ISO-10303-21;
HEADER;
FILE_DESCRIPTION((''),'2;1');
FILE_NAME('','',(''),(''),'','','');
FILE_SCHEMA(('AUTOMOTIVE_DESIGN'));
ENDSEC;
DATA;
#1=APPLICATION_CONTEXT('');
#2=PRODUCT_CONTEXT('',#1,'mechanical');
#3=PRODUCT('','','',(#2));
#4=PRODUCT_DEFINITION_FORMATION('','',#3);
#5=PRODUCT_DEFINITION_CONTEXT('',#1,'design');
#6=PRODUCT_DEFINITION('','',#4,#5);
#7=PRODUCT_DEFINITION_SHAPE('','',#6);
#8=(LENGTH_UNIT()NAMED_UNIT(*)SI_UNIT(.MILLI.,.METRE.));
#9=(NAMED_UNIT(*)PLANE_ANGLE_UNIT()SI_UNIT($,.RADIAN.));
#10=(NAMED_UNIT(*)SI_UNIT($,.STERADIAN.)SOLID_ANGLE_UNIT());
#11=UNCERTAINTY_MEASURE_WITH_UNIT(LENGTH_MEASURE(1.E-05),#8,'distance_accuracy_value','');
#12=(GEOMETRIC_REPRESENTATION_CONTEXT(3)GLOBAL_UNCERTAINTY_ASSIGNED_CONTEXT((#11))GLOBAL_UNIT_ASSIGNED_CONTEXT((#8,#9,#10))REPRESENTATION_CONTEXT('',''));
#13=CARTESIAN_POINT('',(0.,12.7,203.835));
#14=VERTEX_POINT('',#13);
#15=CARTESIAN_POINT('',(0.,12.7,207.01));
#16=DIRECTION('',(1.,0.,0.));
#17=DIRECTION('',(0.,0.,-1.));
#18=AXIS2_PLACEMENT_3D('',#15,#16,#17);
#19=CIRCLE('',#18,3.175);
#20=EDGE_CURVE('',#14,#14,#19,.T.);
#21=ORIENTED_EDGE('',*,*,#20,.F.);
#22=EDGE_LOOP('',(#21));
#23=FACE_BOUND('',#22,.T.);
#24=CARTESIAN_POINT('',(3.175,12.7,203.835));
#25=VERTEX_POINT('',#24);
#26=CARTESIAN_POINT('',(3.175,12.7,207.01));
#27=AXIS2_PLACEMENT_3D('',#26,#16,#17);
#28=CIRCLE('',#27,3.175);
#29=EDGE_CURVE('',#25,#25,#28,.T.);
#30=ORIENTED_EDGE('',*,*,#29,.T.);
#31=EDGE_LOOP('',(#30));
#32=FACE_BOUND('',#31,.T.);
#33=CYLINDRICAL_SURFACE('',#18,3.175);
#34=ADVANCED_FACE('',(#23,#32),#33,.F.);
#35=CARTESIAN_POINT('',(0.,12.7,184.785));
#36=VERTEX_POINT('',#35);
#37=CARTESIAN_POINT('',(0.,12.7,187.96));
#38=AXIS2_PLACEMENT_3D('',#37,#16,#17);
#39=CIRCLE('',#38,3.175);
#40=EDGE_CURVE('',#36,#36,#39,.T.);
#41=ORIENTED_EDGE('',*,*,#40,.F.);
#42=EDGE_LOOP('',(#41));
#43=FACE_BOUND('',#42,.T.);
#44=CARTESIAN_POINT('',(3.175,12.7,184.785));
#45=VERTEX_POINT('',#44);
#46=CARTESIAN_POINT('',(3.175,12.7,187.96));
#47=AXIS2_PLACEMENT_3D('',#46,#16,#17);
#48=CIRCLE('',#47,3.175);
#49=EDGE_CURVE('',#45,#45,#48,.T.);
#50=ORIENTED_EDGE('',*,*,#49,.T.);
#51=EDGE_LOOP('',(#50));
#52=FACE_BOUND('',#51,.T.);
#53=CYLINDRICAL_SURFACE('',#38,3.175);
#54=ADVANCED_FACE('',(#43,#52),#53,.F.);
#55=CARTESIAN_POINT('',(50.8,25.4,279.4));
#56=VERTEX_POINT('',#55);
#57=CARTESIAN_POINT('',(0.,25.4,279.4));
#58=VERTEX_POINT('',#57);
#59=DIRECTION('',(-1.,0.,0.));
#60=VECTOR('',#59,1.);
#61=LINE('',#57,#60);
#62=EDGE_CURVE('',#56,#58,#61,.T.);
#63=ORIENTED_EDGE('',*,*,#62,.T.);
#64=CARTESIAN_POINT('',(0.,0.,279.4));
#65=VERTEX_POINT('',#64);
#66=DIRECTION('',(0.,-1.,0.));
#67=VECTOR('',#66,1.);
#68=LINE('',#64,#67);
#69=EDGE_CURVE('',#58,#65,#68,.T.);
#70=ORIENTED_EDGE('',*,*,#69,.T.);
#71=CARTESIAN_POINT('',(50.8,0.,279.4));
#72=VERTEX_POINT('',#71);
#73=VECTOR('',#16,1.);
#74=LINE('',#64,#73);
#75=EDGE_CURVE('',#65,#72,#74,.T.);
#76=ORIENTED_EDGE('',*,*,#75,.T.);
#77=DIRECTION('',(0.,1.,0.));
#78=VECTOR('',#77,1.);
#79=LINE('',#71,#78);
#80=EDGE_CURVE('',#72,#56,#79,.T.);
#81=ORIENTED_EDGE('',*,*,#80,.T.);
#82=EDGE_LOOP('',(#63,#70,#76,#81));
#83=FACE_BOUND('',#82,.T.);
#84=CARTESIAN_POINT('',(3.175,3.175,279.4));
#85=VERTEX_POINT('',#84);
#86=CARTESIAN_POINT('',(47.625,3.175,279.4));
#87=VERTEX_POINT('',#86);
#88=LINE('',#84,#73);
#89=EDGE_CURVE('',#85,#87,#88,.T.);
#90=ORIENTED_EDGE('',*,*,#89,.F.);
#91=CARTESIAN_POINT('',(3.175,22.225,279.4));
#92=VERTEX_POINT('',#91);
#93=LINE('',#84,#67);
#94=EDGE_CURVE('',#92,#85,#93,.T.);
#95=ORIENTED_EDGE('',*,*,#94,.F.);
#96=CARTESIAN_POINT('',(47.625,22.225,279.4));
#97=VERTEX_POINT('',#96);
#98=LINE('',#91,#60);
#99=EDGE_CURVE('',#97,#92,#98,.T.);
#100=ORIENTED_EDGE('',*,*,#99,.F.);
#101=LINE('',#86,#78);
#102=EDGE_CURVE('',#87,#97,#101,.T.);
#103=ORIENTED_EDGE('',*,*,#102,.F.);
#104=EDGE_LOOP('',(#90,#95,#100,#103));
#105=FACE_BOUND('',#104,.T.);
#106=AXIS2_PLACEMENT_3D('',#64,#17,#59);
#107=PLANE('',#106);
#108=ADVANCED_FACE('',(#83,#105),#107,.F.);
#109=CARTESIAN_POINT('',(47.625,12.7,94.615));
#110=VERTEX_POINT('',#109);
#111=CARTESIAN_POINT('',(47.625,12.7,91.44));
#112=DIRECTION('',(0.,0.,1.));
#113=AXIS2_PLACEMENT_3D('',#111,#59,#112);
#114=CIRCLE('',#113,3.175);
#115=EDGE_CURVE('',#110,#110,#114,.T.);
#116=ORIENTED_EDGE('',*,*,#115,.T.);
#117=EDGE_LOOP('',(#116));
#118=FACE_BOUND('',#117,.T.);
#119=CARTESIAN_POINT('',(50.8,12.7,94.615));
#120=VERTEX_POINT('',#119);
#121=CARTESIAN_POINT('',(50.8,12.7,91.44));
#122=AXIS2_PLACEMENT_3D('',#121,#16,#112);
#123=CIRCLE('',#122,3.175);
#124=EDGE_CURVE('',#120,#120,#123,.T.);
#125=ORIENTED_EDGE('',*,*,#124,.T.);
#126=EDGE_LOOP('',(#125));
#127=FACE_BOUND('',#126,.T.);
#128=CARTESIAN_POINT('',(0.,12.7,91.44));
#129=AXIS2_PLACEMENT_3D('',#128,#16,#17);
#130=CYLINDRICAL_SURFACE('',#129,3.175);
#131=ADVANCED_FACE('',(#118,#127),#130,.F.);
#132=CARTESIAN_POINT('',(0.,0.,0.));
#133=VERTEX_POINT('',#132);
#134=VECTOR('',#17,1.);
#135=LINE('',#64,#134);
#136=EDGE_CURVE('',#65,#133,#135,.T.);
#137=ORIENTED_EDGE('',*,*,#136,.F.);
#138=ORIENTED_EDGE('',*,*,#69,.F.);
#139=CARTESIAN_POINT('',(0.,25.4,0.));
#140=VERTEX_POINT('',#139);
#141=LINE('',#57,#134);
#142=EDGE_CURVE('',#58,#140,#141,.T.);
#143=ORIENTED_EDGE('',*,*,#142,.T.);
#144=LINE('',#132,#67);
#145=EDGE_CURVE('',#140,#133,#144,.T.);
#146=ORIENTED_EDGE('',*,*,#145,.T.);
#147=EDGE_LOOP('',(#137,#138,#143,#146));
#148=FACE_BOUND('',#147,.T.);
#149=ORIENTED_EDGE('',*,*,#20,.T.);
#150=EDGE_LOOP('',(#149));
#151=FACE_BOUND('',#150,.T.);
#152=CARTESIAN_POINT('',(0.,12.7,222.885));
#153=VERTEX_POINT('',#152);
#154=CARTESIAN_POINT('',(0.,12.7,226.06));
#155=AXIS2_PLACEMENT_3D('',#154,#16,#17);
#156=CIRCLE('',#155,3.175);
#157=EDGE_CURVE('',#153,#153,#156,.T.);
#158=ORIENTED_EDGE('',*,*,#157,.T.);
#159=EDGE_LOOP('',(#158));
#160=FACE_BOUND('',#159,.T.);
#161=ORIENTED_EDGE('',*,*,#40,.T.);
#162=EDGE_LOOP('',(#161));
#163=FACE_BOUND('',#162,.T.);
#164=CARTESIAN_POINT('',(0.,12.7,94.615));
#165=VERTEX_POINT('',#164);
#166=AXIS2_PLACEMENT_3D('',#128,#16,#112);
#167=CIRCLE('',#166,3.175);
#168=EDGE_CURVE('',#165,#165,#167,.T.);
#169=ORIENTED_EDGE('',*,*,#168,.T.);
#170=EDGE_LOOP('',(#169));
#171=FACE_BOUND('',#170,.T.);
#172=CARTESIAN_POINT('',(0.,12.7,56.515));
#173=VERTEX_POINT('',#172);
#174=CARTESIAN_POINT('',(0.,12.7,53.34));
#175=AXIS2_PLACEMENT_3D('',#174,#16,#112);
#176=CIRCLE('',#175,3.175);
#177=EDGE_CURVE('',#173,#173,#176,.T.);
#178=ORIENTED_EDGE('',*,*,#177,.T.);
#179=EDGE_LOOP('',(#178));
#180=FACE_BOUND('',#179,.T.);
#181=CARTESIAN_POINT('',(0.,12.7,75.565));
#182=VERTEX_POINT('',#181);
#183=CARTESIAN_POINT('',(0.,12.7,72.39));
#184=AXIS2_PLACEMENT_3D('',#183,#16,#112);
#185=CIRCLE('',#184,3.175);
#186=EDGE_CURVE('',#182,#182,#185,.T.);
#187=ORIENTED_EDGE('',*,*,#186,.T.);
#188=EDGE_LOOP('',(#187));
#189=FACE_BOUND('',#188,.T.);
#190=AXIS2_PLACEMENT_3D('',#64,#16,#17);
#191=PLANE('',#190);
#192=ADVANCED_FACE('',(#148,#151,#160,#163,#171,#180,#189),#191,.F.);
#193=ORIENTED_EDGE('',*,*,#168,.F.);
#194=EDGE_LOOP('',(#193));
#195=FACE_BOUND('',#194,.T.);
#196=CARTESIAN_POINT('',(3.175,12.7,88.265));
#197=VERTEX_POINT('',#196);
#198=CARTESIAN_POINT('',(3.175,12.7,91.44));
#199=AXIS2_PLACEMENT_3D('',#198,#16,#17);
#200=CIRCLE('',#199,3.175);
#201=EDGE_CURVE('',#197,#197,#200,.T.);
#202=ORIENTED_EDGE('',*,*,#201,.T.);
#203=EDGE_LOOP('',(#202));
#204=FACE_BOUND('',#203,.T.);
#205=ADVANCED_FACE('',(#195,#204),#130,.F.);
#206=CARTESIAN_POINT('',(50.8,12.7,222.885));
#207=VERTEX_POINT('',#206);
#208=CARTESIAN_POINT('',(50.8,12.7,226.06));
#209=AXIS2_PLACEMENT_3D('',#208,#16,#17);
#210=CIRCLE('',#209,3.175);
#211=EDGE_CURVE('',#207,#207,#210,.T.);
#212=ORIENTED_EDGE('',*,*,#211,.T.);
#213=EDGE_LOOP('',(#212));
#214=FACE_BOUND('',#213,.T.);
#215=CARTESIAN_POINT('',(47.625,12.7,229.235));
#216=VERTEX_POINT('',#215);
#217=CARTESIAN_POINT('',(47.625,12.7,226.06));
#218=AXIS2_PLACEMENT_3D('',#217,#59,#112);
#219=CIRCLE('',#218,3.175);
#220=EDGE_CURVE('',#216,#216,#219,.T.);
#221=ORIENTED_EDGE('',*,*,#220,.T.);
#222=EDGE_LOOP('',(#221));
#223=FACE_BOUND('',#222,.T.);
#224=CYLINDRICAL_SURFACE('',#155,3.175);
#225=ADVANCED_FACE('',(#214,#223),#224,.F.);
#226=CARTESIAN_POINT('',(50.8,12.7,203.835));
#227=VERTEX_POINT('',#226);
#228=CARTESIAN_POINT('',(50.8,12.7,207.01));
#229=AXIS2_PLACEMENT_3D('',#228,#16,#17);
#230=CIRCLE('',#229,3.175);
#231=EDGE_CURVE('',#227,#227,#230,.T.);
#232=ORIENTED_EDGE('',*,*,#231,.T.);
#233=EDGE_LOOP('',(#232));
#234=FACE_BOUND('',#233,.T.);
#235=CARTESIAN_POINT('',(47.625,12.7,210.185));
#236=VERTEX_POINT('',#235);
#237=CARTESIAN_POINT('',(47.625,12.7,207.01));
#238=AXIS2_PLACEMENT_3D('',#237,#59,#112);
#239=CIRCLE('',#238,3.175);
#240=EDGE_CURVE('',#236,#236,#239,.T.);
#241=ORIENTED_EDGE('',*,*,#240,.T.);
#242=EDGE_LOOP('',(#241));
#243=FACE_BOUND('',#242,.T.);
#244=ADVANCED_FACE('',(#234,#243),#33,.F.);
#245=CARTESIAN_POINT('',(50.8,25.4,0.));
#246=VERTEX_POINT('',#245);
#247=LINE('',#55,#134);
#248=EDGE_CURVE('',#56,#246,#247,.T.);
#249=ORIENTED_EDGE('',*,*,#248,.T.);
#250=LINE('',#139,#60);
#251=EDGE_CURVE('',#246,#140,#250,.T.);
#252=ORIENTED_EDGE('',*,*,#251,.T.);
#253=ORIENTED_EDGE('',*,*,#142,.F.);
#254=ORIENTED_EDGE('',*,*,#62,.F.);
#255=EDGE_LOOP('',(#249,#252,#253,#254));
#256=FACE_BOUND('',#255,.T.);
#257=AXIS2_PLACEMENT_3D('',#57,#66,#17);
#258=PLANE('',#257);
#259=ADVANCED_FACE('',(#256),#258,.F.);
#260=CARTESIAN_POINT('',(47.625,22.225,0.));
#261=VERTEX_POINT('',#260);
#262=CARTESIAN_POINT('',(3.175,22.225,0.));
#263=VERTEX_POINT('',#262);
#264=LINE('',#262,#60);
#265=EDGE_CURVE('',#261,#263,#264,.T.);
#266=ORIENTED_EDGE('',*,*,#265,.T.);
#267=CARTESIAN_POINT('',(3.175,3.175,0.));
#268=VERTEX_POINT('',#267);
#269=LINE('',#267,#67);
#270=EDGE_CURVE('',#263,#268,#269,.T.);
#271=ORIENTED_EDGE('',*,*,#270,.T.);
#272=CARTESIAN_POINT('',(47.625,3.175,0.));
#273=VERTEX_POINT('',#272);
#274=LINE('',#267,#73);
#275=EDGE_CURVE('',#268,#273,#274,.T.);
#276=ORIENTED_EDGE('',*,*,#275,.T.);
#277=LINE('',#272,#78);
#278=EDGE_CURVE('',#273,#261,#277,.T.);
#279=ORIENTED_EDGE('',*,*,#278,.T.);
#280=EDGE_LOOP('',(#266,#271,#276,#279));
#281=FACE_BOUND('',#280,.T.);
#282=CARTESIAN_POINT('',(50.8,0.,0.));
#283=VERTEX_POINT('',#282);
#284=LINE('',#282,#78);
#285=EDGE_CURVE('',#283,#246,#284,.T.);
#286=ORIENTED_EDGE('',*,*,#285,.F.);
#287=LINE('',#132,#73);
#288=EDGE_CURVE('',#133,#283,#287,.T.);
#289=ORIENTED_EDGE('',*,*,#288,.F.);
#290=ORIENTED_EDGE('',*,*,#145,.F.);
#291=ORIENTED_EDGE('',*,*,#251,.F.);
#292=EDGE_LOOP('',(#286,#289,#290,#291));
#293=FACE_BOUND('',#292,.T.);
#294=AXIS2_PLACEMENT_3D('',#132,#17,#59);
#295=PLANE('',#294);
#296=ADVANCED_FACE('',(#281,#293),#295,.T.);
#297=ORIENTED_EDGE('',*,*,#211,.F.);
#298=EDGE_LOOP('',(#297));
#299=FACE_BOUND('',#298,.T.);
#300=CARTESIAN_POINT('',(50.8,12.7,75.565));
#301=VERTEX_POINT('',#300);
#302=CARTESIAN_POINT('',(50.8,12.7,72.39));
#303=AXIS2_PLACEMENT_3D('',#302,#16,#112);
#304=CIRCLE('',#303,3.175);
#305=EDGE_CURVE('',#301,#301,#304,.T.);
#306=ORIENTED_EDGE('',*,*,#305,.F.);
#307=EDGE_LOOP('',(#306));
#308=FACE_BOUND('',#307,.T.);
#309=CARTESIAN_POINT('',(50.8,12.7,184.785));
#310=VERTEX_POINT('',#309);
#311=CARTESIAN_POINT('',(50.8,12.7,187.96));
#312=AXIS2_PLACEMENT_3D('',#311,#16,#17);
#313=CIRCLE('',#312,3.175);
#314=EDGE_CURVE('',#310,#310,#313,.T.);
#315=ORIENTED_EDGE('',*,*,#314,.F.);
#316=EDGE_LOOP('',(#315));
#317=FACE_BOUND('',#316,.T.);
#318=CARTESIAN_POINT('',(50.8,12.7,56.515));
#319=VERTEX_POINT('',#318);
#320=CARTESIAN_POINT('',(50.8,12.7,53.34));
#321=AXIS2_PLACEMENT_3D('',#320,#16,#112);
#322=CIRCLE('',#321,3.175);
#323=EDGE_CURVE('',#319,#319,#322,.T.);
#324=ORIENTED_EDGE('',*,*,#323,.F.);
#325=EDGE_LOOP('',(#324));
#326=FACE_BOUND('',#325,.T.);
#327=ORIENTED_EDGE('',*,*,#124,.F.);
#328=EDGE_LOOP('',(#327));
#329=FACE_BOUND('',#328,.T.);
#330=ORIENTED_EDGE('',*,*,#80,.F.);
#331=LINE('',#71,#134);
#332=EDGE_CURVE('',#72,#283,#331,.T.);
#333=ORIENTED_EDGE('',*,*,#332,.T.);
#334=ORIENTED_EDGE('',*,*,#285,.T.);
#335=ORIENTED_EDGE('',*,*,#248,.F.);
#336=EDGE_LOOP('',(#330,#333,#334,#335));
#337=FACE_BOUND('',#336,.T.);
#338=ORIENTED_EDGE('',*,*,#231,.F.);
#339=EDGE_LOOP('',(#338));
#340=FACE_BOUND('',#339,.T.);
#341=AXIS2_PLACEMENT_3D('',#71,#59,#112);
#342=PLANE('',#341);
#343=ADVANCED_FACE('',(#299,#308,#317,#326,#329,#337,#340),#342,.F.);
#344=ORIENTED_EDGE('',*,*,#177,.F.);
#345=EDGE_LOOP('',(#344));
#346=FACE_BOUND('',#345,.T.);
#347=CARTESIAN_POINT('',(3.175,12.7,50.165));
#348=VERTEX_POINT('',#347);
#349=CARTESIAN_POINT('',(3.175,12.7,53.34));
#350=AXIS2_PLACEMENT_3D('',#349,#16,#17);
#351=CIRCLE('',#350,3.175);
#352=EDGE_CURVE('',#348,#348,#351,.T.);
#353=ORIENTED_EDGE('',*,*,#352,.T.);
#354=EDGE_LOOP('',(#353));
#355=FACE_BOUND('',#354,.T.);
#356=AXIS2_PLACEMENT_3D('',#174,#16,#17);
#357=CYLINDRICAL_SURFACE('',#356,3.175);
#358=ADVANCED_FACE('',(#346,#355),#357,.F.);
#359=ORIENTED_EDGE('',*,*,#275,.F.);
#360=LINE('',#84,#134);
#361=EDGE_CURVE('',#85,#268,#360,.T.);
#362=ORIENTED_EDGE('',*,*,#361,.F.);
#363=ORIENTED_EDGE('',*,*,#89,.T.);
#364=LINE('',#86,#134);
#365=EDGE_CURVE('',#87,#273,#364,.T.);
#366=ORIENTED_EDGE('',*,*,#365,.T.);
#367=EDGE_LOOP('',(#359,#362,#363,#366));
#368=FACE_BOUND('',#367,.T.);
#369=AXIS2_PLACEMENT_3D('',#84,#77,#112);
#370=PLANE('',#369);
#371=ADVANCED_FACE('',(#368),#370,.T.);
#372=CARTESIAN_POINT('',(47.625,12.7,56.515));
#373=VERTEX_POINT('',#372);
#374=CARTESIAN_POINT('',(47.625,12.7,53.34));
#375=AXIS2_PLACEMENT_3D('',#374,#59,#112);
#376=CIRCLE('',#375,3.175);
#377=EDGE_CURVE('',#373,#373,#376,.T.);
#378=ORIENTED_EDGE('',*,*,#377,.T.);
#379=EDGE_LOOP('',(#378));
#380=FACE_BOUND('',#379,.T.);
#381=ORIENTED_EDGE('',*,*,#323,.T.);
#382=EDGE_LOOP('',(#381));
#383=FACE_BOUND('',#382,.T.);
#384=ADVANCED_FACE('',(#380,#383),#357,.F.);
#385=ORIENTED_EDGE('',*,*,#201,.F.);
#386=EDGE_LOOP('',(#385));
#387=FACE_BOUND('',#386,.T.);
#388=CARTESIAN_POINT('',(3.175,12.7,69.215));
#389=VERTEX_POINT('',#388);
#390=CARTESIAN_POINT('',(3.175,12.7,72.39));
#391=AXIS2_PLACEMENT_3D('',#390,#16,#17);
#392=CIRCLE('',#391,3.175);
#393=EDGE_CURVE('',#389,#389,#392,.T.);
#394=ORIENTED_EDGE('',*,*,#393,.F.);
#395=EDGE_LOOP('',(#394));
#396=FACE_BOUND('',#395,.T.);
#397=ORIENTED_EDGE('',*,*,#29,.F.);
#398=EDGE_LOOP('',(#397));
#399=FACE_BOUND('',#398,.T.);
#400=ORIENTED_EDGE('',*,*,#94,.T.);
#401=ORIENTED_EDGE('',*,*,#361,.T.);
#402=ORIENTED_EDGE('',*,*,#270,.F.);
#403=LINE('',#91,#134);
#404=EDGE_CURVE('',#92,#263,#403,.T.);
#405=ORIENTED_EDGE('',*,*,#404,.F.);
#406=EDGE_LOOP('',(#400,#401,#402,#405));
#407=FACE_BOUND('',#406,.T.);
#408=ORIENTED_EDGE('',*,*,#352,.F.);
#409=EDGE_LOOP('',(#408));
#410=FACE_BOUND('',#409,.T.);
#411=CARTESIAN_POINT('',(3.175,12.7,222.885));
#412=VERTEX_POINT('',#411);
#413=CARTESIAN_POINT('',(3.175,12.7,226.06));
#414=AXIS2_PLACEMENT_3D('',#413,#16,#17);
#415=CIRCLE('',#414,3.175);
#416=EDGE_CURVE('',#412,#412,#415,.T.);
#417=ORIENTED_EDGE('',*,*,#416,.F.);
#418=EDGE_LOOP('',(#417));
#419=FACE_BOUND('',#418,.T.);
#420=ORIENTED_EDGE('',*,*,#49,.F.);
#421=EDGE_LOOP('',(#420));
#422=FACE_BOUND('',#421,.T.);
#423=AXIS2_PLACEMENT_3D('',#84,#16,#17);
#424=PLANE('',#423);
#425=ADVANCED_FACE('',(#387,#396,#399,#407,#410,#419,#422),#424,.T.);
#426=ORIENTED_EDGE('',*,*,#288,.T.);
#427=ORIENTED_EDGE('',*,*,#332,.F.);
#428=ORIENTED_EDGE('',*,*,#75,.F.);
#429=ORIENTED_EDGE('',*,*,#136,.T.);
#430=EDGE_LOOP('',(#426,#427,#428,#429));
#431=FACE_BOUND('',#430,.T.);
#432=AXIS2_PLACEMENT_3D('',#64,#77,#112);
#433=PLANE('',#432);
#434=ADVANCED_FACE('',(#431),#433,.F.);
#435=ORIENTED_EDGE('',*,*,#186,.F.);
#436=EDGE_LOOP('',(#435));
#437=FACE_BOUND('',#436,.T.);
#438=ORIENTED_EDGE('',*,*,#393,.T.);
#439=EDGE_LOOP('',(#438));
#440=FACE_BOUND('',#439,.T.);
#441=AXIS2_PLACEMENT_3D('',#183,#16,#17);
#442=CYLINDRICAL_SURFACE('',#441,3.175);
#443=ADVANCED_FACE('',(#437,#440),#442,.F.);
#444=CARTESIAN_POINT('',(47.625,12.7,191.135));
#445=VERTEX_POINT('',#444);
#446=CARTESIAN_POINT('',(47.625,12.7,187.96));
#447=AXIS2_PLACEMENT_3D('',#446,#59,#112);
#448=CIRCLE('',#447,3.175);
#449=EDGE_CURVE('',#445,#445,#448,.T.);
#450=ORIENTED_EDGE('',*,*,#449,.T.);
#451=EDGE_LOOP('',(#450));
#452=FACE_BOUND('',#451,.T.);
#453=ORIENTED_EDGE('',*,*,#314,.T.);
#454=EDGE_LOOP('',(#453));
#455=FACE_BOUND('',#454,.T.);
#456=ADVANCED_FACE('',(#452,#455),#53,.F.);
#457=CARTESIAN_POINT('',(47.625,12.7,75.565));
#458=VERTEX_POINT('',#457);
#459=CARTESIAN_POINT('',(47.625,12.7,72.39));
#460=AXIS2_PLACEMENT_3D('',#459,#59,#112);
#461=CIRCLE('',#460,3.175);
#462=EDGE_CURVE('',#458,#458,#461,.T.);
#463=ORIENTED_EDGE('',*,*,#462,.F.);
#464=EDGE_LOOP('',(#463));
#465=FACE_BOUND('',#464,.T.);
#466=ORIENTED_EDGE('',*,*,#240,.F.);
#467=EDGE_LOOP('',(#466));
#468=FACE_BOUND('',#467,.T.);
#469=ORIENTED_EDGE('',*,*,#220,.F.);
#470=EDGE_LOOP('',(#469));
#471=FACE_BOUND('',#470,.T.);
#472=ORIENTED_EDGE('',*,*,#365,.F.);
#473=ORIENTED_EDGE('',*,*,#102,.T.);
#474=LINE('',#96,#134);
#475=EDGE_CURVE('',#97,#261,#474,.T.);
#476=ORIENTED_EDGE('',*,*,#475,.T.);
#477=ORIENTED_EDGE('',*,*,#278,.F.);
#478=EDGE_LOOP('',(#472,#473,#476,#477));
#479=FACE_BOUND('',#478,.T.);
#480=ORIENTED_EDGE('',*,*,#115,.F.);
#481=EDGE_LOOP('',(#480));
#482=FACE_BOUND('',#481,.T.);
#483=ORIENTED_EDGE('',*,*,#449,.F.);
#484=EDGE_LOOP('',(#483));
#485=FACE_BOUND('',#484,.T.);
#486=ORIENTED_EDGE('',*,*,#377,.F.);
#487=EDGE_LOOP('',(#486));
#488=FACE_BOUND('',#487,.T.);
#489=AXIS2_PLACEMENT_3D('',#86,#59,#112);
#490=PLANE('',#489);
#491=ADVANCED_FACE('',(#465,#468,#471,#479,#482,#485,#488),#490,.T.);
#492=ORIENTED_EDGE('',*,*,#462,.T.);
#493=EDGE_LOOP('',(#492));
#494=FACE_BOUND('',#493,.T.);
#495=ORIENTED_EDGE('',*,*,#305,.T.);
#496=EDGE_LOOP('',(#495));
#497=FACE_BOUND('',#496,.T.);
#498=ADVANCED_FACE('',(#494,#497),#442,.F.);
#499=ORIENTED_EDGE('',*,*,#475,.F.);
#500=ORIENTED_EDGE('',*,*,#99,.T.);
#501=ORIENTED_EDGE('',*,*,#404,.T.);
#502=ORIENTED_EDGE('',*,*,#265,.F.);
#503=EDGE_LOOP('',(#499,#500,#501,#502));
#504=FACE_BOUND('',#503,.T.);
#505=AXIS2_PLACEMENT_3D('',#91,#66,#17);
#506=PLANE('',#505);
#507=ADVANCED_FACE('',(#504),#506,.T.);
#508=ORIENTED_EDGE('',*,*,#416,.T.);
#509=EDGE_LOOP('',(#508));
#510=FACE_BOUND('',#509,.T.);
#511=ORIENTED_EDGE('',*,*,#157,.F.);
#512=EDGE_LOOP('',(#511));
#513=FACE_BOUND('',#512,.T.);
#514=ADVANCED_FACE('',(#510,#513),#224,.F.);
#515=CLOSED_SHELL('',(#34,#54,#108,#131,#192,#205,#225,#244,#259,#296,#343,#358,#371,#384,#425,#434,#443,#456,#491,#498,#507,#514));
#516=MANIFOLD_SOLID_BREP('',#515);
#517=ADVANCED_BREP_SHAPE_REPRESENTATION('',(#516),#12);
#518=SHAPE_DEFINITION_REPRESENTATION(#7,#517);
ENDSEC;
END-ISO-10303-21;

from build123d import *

# Parameters (mm, degrees)
SKETCH1_W           = 50.8
SKETCH1_H           = 25.4
SKETCH1_W_2         = 44.45
SKETCH1_H_2         = 19.05
BOSS_EXTRUDE1_DEPTH = 279.4
SKETCH2_R           = 3.175
CUT_EXTRUDE1_DEPTH  = 286.114292872


with BuildPart() as part:
    # Sketch1 → Boss-Extrude1 (new body)
    with BuildSketch(Plane.XY):
        with Locations((25.4, 12.7)):
            Rectangle(SKETCH1_W, SKETCH1_H)
        with Locations((25.4, 12.7)):
            Rectangle(SKETCH1_W_2, SKETCH1_H_2, mode=Mode.SUBTRACT)
    extrude(amount=BOSS_EXTRUDE1_DEPTH)

    # Sketch2 → Cut-Extrude1 (cut, through all)
    with BuildSketch(Plane(origin=(50.8, 0, 0), x_dir=(0, 0, -1), z_dir=(1, 0, 0))):
        with Locations((-226.06, 12.7)):
            Circle(SKETCH2_R)
        with Locations((-187.96, 12.7)):
            Circle(SKETCH2_R)
        with Locations((-207.01, 12.7)):
            Circle(SKETCH2_R)
        with Locations(Location((-91.44, 12.7, 0), (0, 0, 180))):
            Circle(SKETCH2_R)
        with Locations(Location((-53.34, 12.7, 0), (0, 0, 180))):
            Circle(SKETCH2_R)
        with Locations(Location((-72.39, 12.7, 0), (0, 0, 180))):
            Circle(SKETCH2_R)
    extrude(amount=-CUT_EXTRUDE1_DEPTH, mode=Mode.SUBTRACT)


solid = part.part
